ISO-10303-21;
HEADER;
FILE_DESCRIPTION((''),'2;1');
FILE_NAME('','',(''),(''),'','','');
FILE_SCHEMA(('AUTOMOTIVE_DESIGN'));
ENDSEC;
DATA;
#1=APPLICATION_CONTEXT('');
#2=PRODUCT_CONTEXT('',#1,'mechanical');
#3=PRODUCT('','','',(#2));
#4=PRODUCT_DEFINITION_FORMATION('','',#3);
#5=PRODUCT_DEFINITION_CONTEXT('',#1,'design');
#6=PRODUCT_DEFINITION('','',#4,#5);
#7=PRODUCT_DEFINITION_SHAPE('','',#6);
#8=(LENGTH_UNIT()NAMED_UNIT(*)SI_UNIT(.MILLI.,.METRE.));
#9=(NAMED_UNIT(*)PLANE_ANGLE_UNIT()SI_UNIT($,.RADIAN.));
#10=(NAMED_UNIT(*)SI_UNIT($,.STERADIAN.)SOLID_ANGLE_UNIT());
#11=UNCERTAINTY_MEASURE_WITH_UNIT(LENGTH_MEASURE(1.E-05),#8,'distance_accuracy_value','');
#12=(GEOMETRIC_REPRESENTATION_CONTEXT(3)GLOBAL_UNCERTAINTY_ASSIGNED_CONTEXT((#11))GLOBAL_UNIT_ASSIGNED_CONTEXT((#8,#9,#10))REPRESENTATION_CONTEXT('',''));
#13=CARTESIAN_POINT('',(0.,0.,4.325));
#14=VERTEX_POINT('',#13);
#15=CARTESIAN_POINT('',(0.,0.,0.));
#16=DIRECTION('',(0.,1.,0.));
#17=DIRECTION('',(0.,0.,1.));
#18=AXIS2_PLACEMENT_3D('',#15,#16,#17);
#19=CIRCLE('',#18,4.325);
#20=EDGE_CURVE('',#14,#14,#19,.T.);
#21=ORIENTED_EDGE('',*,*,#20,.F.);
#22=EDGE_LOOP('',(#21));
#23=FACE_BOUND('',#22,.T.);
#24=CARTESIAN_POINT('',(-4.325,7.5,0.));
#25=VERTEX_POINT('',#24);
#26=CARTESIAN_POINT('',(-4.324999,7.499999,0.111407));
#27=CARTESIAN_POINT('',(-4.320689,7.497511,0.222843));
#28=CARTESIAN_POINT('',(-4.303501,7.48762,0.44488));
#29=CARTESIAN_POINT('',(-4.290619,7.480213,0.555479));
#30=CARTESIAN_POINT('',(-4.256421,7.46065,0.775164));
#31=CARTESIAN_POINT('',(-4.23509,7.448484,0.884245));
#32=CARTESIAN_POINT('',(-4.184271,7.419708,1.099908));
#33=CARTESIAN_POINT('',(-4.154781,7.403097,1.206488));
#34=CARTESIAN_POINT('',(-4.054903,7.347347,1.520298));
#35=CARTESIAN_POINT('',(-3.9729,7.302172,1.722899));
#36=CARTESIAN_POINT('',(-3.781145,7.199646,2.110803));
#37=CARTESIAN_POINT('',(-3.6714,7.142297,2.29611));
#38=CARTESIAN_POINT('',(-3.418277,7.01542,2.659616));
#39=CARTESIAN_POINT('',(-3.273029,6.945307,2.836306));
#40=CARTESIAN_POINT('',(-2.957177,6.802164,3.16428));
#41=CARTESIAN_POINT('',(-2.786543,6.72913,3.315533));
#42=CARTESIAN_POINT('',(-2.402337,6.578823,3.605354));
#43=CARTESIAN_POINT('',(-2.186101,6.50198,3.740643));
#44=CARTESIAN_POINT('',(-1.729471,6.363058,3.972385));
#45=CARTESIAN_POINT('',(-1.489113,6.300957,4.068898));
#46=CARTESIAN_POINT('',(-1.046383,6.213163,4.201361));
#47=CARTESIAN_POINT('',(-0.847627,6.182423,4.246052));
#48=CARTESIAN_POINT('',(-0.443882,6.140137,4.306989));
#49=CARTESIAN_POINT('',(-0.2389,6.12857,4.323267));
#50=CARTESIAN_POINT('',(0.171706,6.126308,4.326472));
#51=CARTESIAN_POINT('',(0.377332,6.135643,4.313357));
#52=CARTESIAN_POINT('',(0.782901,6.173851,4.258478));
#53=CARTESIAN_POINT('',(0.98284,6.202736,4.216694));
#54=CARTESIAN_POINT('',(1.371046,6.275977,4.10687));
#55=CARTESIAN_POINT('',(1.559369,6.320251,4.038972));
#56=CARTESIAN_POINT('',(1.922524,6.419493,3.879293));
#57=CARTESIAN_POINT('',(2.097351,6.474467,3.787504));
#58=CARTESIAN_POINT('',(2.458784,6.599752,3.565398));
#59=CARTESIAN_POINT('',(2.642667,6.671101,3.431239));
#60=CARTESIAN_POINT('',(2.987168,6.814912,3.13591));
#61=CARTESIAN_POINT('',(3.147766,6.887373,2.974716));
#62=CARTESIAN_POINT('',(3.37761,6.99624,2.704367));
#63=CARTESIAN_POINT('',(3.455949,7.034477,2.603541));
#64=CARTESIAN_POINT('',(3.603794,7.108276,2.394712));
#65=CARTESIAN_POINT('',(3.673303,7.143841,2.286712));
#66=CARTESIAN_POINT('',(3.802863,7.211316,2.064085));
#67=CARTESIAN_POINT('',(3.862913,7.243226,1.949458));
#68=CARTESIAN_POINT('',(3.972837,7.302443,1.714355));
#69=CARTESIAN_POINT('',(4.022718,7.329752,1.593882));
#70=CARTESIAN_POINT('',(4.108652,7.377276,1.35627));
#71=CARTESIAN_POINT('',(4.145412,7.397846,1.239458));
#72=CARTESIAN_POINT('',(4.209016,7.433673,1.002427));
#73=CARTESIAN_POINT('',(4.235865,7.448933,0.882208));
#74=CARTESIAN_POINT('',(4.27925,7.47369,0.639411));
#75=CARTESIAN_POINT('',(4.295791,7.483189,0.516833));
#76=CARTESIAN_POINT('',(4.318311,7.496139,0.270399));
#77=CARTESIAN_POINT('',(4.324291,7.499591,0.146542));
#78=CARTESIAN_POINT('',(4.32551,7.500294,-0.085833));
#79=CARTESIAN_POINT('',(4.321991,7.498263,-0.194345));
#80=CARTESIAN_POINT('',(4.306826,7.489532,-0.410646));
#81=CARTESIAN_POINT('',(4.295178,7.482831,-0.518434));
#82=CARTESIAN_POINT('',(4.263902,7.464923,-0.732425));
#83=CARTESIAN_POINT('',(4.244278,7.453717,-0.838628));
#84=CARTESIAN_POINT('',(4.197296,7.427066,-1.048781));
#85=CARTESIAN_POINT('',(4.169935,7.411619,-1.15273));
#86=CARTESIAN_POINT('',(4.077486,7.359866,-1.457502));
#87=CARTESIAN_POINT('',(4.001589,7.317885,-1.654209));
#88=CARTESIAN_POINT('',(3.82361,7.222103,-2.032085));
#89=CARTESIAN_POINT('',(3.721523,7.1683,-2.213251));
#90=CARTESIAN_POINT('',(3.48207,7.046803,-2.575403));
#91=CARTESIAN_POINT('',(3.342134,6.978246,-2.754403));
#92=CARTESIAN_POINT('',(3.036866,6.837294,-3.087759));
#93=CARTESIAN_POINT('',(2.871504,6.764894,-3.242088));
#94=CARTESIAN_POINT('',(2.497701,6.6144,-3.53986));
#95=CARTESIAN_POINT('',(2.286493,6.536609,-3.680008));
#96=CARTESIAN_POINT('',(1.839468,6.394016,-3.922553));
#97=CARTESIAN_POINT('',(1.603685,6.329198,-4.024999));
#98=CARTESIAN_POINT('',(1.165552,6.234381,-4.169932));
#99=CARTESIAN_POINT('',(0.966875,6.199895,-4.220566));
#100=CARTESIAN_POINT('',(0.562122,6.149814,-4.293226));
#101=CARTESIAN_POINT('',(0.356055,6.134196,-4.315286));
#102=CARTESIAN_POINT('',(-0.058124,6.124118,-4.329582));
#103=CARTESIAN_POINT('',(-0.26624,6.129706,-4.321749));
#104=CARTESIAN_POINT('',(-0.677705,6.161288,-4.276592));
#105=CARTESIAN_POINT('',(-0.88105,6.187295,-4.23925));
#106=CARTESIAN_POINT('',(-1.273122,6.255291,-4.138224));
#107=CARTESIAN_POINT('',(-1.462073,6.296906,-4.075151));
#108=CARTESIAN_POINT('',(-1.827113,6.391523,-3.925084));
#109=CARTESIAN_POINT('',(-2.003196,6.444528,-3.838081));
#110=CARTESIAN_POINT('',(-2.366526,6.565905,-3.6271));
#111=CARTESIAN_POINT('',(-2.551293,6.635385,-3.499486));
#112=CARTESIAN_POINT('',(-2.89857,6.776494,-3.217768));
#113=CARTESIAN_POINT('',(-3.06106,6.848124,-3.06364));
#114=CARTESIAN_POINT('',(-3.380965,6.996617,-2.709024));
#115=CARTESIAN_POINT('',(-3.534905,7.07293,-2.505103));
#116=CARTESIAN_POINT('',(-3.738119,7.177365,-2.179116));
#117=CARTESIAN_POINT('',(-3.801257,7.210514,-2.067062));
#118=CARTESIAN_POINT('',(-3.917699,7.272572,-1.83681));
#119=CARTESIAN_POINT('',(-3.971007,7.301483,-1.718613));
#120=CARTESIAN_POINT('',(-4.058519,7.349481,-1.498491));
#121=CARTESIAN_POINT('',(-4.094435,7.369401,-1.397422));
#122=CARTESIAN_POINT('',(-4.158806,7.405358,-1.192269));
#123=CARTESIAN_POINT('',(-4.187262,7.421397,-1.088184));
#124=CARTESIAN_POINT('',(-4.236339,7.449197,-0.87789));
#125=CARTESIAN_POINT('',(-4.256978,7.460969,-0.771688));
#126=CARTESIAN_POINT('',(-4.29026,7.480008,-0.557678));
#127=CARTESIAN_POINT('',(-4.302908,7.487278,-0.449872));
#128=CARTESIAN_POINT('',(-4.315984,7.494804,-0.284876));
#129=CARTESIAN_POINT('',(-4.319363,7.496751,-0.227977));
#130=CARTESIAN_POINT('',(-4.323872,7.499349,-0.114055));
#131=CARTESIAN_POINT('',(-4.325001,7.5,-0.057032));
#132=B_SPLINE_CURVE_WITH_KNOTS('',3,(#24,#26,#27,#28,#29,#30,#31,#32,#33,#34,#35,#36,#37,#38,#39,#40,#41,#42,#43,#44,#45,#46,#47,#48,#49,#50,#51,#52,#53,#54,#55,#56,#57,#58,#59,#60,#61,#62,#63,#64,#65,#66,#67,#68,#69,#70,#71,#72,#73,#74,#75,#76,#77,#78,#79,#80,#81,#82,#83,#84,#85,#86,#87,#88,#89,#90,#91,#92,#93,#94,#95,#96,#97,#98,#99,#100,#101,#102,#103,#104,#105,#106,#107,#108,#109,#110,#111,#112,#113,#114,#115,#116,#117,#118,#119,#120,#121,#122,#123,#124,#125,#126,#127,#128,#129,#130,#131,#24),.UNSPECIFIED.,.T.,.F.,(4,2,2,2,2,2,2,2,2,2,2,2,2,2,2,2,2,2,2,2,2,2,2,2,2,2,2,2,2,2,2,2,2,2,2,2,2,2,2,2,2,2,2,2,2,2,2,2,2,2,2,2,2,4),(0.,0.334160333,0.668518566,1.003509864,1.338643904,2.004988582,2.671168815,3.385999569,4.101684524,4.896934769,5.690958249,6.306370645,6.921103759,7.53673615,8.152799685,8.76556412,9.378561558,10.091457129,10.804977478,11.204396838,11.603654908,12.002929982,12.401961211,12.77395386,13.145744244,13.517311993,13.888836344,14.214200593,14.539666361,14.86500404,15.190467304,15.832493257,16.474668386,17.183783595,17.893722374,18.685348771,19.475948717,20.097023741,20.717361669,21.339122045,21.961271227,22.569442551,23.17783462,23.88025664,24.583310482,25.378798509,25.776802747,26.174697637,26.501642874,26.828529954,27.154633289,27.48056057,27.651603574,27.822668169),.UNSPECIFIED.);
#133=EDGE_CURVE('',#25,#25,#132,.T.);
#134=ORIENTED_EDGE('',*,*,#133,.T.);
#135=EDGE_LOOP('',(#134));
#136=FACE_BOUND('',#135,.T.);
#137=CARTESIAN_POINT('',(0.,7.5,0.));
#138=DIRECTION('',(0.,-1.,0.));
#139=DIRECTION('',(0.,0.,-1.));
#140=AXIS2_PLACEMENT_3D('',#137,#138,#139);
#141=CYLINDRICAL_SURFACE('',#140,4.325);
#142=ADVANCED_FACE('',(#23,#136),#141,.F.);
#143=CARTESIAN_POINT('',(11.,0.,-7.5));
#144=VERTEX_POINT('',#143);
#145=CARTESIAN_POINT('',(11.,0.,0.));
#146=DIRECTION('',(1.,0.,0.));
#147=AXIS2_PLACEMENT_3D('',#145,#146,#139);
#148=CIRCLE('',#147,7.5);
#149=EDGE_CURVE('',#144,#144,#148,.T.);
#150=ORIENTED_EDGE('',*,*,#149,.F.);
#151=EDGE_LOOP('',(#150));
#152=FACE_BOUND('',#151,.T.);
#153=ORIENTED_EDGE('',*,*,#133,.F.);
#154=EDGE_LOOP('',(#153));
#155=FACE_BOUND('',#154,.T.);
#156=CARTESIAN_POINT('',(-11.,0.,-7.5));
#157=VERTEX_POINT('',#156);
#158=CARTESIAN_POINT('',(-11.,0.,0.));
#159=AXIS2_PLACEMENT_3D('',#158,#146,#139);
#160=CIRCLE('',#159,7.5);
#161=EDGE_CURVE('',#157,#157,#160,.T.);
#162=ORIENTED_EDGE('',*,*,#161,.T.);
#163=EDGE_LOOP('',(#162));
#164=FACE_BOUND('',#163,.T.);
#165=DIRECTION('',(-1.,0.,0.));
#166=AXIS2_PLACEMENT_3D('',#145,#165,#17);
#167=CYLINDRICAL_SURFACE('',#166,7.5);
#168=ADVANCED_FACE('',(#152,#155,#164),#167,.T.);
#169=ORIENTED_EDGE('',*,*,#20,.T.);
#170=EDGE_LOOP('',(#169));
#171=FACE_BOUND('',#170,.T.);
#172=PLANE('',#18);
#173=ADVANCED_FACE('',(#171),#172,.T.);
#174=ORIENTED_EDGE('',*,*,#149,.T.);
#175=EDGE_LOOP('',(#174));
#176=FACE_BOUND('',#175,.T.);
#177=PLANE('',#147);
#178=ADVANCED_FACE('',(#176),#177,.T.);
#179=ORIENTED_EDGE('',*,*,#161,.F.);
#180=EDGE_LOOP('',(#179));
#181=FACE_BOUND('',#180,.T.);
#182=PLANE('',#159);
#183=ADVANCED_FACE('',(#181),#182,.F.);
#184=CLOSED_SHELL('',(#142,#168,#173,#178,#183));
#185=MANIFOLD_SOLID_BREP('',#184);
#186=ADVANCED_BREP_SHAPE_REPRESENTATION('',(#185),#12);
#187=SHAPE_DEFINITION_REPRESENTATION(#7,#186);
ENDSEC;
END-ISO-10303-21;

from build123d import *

# Parameters (mm, degrees)
SKETCH1_R           = 7.5
BOSS_EXTRUDE1_DEPTH = 11
SKETCH2_R           = 4.325
CUT_EXTRUDE1_DEPTH  = 16.28070679


with BuildPart() as part:
    # Sketch1 → Boss-Extrude1 (new, symmetric)
    with BuildSketch(Plane(origin=(0, 0, 0), x_dir=(0, 0, -1), z_dir=(1, 0, 0))):
        Circle(SKETCH1_R)
    extrude(amount=BOSS_EXTRUDE1_DEPTH, both=True)

    # Sketch2 → Cut-Extrude1 (cut, through all)
    with BuildSketch(Plane(origin=(0, 0, 0), x_dir=(1, 0, 0), z_dir=(0, 1, 0))):
        with Locations(Location((0, 0, 0), (0, 0, 180))):
            Circle(SKETCH2_R)
    extrude(amount=CUT_EXTRUDE1_DEPTH, mode=Mode.SUBTRACT)


solid = part.part
